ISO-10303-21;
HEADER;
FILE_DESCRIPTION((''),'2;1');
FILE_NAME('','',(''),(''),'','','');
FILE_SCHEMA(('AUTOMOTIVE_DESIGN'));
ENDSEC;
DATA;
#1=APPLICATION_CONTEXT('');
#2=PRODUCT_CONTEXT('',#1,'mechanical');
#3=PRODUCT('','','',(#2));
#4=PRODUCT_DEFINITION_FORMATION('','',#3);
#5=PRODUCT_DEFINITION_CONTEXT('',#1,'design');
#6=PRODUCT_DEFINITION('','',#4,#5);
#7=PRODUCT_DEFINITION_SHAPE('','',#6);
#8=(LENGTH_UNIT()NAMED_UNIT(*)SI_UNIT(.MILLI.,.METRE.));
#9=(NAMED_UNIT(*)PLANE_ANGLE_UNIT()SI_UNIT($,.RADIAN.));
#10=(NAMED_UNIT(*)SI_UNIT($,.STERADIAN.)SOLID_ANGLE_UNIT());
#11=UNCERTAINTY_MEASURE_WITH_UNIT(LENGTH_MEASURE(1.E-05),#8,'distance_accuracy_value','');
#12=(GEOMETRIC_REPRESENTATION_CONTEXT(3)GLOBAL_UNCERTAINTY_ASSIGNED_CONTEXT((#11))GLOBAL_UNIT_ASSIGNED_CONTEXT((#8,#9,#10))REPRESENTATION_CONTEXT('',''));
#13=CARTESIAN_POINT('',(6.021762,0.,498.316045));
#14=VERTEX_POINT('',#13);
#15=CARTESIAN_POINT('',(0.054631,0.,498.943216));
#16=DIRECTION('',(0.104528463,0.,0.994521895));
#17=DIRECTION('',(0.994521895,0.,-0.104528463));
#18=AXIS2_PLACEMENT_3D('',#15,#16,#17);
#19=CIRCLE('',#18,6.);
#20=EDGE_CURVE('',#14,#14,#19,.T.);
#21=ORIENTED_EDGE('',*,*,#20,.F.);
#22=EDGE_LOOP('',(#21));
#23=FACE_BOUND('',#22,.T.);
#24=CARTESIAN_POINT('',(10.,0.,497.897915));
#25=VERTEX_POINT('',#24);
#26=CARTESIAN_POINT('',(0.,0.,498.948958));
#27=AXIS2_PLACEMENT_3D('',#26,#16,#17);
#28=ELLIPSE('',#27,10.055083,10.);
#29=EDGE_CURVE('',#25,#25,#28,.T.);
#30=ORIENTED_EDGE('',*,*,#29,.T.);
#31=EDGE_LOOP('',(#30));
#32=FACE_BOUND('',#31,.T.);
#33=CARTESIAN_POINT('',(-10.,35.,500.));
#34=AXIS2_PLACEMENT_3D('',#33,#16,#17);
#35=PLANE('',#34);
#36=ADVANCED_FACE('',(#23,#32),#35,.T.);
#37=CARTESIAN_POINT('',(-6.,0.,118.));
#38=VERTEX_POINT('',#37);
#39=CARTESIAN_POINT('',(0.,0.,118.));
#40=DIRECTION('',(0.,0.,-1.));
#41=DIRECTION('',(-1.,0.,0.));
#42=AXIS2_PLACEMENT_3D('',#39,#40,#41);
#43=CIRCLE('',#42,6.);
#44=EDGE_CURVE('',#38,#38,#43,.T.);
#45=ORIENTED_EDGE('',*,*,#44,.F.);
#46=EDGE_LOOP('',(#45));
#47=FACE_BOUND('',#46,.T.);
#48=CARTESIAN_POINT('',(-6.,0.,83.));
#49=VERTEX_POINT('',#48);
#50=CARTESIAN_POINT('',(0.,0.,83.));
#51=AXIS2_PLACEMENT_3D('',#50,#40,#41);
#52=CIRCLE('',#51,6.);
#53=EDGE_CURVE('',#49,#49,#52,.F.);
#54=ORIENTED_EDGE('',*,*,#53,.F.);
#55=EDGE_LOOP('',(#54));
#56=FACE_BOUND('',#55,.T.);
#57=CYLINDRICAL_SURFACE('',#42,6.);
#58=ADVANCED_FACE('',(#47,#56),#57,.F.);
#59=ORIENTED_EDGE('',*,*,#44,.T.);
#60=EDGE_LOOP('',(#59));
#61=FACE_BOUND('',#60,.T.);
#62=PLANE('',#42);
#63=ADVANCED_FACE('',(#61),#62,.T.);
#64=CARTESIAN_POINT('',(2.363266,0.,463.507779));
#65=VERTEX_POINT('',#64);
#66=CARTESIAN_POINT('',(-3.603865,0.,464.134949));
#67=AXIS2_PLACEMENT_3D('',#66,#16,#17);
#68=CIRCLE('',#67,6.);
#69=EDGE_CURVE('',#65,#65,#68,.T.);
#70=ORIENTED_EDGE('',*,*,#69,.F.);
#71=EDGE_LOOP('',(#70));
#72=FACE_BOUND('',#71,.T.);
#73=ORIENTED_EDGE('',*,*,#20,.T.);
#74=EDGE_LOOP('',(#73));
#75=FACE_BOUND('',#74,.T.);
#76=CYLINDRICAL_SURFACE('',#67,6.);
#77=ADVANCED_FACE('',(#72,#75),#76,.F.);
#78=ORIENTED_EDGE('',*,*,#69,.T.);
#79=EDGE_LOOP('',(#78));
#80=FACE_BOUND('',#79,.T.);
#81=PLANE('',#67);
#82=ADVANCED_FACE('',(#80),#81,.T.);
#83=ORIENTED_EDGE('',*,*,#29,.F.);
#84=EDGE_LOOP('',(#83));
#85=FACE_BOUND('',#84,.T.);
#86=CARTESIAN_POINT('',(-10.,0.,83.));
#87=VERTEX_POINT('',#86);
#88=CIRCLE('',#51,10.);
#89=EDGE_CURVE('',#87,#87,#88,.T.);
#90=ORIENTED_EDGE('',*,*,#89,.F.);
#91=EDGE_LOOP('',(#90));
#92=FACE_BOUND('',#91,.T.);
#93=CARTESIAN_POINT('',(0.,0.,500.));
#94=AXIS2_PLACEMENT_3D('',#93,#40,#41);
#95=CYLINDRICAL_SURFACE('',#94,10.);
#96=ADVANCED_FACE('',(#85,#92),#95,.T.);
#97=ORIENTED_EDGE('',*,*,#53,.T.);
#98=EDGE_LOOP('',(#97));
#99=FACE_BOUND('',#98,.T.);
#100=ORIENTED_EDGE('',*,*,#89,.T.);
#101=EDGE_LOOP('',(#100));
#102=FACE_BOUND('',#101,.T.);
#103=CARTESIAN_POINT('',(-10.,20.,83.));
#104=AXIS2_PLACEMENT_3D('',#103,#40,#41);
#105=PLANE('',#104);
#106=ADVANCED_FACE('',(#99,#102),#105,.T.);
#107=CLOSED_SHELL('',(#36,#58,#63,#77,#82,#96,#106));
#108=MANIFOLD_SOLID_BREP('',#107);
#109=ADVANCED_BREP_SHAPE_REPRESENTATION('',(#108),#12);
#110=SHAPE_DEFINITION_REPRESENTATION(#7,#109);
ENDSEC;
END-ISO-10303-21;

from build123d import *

# Parameters (mm, degrees)
SZKIC1_R                        = 10
DODANIE_WYCI_GNI_CIE1_DEPTH     = 500
SZKIC2_R                        = 6
WYTNIJ_WYCI_GNI_CIE1_DEPTH      = 118
WYTNIJ_WYCI_GNI_CIE2_DEPTH      = 35
WYTNIJ_WYCI_GNI_CIE2_DEPTH_BACK = 35
SZKIC4_R                        = 6
WYTNIJ_WYCI_GNI_CIE3_DEPTH      = 35
WYTNIJ_WYCI_GNI_CIE4_DEPTH      = 20
WYTNIJ_WYCI_GNI_CIE4_DEPTH_BACK = 20
SZKIC5_W                        = 20
SZKIC5_H                        = 83


with BuildPart() as part:
    # Szkic1 → Dodanie-wyciągnięcie1 (new body)
    with BuildSketch(Plane.XY):
        Circle(SZKIC1_R)
    extrude(amount=DODANIE_WYCI_GNI_CIE1_DEPTH)

    # Szkic2 → Wytnij-wyciągnięcie1 (cut)
    with BuildSketch(Plane(origin=(0, 0, 0), x_dir=(-1, 0, 0), z_dir=(0, 0, -1))):
        Circle(SZKIC2_R)
    extrude(amount=-WYTNIJ_WYCI_GNI_CIE1_DEPTH, mode=Mode.SUBTRACT)

    # Szkic3 → Wytnij-wyciągnięcie2 (cut, two sides: drawn at the far end of the back side and taken through both)
    with BuildSketch(Plane(origin=(0, 0, 0), x_dir=(1, 0, 0), z_dir=(0, 1, 0)).offset(-WYTNIJ_WYCI_GNI_CIE2_DEPTH_BACK)):
        Polygon((-10, -500), (10, -500), (15.054630998, -497.366652169), align=None)
    extrude(amount=WYTNIJ_WYCI_GNI_CIE2_DEPTH + WYTNIJ_WYCI_GNI_CIE2_DEPTH_BACK, mode=Mode.SUBTRACT)

    # Szkic4 → Wytnij-wyciągnięcie3 (cut)
    with BuildSketch(Plane(origin=(51.868660708, 0, 493.497341729), x_dir=(0.9945218953682733, 0, -0.10452846326765462), z_dir=(0.10452846326765461, 0, 0.9945218953682732))):
        with Locations((-52.099435871, 0)):
            Circle(SZKIC4_R)
    extrude(amount=-WYTNIJ_WYCI_GNI_CIE3_DEPTH, mode=Mode.SUBTRACT)

    # Szkic5 → Wytnij-wyciągnięcie4 (cut, two sides: drawn at the far end of the back side and taken through both)
    with BuildSketch(Plane(origin=(0, 0, 0), x_dir=(1, 0, 0), z_dir=(0, 1, 0)).offset(-WYTNIJ_WYCI_GNI_CIE4_DEPTH_BACK)):
        with Locations((0, -41.5)):
            Rectangle(SZKIC5_W, SZKIC5_H)
    extrude(amount=WYTNIJ_WYCI_GNI_CIE4_DEPTH + WYTNIJ_WYCI_GNI_CIE4_DEPTH_BACK, mode=Mode.SUBTRACT)


solid = part.part
